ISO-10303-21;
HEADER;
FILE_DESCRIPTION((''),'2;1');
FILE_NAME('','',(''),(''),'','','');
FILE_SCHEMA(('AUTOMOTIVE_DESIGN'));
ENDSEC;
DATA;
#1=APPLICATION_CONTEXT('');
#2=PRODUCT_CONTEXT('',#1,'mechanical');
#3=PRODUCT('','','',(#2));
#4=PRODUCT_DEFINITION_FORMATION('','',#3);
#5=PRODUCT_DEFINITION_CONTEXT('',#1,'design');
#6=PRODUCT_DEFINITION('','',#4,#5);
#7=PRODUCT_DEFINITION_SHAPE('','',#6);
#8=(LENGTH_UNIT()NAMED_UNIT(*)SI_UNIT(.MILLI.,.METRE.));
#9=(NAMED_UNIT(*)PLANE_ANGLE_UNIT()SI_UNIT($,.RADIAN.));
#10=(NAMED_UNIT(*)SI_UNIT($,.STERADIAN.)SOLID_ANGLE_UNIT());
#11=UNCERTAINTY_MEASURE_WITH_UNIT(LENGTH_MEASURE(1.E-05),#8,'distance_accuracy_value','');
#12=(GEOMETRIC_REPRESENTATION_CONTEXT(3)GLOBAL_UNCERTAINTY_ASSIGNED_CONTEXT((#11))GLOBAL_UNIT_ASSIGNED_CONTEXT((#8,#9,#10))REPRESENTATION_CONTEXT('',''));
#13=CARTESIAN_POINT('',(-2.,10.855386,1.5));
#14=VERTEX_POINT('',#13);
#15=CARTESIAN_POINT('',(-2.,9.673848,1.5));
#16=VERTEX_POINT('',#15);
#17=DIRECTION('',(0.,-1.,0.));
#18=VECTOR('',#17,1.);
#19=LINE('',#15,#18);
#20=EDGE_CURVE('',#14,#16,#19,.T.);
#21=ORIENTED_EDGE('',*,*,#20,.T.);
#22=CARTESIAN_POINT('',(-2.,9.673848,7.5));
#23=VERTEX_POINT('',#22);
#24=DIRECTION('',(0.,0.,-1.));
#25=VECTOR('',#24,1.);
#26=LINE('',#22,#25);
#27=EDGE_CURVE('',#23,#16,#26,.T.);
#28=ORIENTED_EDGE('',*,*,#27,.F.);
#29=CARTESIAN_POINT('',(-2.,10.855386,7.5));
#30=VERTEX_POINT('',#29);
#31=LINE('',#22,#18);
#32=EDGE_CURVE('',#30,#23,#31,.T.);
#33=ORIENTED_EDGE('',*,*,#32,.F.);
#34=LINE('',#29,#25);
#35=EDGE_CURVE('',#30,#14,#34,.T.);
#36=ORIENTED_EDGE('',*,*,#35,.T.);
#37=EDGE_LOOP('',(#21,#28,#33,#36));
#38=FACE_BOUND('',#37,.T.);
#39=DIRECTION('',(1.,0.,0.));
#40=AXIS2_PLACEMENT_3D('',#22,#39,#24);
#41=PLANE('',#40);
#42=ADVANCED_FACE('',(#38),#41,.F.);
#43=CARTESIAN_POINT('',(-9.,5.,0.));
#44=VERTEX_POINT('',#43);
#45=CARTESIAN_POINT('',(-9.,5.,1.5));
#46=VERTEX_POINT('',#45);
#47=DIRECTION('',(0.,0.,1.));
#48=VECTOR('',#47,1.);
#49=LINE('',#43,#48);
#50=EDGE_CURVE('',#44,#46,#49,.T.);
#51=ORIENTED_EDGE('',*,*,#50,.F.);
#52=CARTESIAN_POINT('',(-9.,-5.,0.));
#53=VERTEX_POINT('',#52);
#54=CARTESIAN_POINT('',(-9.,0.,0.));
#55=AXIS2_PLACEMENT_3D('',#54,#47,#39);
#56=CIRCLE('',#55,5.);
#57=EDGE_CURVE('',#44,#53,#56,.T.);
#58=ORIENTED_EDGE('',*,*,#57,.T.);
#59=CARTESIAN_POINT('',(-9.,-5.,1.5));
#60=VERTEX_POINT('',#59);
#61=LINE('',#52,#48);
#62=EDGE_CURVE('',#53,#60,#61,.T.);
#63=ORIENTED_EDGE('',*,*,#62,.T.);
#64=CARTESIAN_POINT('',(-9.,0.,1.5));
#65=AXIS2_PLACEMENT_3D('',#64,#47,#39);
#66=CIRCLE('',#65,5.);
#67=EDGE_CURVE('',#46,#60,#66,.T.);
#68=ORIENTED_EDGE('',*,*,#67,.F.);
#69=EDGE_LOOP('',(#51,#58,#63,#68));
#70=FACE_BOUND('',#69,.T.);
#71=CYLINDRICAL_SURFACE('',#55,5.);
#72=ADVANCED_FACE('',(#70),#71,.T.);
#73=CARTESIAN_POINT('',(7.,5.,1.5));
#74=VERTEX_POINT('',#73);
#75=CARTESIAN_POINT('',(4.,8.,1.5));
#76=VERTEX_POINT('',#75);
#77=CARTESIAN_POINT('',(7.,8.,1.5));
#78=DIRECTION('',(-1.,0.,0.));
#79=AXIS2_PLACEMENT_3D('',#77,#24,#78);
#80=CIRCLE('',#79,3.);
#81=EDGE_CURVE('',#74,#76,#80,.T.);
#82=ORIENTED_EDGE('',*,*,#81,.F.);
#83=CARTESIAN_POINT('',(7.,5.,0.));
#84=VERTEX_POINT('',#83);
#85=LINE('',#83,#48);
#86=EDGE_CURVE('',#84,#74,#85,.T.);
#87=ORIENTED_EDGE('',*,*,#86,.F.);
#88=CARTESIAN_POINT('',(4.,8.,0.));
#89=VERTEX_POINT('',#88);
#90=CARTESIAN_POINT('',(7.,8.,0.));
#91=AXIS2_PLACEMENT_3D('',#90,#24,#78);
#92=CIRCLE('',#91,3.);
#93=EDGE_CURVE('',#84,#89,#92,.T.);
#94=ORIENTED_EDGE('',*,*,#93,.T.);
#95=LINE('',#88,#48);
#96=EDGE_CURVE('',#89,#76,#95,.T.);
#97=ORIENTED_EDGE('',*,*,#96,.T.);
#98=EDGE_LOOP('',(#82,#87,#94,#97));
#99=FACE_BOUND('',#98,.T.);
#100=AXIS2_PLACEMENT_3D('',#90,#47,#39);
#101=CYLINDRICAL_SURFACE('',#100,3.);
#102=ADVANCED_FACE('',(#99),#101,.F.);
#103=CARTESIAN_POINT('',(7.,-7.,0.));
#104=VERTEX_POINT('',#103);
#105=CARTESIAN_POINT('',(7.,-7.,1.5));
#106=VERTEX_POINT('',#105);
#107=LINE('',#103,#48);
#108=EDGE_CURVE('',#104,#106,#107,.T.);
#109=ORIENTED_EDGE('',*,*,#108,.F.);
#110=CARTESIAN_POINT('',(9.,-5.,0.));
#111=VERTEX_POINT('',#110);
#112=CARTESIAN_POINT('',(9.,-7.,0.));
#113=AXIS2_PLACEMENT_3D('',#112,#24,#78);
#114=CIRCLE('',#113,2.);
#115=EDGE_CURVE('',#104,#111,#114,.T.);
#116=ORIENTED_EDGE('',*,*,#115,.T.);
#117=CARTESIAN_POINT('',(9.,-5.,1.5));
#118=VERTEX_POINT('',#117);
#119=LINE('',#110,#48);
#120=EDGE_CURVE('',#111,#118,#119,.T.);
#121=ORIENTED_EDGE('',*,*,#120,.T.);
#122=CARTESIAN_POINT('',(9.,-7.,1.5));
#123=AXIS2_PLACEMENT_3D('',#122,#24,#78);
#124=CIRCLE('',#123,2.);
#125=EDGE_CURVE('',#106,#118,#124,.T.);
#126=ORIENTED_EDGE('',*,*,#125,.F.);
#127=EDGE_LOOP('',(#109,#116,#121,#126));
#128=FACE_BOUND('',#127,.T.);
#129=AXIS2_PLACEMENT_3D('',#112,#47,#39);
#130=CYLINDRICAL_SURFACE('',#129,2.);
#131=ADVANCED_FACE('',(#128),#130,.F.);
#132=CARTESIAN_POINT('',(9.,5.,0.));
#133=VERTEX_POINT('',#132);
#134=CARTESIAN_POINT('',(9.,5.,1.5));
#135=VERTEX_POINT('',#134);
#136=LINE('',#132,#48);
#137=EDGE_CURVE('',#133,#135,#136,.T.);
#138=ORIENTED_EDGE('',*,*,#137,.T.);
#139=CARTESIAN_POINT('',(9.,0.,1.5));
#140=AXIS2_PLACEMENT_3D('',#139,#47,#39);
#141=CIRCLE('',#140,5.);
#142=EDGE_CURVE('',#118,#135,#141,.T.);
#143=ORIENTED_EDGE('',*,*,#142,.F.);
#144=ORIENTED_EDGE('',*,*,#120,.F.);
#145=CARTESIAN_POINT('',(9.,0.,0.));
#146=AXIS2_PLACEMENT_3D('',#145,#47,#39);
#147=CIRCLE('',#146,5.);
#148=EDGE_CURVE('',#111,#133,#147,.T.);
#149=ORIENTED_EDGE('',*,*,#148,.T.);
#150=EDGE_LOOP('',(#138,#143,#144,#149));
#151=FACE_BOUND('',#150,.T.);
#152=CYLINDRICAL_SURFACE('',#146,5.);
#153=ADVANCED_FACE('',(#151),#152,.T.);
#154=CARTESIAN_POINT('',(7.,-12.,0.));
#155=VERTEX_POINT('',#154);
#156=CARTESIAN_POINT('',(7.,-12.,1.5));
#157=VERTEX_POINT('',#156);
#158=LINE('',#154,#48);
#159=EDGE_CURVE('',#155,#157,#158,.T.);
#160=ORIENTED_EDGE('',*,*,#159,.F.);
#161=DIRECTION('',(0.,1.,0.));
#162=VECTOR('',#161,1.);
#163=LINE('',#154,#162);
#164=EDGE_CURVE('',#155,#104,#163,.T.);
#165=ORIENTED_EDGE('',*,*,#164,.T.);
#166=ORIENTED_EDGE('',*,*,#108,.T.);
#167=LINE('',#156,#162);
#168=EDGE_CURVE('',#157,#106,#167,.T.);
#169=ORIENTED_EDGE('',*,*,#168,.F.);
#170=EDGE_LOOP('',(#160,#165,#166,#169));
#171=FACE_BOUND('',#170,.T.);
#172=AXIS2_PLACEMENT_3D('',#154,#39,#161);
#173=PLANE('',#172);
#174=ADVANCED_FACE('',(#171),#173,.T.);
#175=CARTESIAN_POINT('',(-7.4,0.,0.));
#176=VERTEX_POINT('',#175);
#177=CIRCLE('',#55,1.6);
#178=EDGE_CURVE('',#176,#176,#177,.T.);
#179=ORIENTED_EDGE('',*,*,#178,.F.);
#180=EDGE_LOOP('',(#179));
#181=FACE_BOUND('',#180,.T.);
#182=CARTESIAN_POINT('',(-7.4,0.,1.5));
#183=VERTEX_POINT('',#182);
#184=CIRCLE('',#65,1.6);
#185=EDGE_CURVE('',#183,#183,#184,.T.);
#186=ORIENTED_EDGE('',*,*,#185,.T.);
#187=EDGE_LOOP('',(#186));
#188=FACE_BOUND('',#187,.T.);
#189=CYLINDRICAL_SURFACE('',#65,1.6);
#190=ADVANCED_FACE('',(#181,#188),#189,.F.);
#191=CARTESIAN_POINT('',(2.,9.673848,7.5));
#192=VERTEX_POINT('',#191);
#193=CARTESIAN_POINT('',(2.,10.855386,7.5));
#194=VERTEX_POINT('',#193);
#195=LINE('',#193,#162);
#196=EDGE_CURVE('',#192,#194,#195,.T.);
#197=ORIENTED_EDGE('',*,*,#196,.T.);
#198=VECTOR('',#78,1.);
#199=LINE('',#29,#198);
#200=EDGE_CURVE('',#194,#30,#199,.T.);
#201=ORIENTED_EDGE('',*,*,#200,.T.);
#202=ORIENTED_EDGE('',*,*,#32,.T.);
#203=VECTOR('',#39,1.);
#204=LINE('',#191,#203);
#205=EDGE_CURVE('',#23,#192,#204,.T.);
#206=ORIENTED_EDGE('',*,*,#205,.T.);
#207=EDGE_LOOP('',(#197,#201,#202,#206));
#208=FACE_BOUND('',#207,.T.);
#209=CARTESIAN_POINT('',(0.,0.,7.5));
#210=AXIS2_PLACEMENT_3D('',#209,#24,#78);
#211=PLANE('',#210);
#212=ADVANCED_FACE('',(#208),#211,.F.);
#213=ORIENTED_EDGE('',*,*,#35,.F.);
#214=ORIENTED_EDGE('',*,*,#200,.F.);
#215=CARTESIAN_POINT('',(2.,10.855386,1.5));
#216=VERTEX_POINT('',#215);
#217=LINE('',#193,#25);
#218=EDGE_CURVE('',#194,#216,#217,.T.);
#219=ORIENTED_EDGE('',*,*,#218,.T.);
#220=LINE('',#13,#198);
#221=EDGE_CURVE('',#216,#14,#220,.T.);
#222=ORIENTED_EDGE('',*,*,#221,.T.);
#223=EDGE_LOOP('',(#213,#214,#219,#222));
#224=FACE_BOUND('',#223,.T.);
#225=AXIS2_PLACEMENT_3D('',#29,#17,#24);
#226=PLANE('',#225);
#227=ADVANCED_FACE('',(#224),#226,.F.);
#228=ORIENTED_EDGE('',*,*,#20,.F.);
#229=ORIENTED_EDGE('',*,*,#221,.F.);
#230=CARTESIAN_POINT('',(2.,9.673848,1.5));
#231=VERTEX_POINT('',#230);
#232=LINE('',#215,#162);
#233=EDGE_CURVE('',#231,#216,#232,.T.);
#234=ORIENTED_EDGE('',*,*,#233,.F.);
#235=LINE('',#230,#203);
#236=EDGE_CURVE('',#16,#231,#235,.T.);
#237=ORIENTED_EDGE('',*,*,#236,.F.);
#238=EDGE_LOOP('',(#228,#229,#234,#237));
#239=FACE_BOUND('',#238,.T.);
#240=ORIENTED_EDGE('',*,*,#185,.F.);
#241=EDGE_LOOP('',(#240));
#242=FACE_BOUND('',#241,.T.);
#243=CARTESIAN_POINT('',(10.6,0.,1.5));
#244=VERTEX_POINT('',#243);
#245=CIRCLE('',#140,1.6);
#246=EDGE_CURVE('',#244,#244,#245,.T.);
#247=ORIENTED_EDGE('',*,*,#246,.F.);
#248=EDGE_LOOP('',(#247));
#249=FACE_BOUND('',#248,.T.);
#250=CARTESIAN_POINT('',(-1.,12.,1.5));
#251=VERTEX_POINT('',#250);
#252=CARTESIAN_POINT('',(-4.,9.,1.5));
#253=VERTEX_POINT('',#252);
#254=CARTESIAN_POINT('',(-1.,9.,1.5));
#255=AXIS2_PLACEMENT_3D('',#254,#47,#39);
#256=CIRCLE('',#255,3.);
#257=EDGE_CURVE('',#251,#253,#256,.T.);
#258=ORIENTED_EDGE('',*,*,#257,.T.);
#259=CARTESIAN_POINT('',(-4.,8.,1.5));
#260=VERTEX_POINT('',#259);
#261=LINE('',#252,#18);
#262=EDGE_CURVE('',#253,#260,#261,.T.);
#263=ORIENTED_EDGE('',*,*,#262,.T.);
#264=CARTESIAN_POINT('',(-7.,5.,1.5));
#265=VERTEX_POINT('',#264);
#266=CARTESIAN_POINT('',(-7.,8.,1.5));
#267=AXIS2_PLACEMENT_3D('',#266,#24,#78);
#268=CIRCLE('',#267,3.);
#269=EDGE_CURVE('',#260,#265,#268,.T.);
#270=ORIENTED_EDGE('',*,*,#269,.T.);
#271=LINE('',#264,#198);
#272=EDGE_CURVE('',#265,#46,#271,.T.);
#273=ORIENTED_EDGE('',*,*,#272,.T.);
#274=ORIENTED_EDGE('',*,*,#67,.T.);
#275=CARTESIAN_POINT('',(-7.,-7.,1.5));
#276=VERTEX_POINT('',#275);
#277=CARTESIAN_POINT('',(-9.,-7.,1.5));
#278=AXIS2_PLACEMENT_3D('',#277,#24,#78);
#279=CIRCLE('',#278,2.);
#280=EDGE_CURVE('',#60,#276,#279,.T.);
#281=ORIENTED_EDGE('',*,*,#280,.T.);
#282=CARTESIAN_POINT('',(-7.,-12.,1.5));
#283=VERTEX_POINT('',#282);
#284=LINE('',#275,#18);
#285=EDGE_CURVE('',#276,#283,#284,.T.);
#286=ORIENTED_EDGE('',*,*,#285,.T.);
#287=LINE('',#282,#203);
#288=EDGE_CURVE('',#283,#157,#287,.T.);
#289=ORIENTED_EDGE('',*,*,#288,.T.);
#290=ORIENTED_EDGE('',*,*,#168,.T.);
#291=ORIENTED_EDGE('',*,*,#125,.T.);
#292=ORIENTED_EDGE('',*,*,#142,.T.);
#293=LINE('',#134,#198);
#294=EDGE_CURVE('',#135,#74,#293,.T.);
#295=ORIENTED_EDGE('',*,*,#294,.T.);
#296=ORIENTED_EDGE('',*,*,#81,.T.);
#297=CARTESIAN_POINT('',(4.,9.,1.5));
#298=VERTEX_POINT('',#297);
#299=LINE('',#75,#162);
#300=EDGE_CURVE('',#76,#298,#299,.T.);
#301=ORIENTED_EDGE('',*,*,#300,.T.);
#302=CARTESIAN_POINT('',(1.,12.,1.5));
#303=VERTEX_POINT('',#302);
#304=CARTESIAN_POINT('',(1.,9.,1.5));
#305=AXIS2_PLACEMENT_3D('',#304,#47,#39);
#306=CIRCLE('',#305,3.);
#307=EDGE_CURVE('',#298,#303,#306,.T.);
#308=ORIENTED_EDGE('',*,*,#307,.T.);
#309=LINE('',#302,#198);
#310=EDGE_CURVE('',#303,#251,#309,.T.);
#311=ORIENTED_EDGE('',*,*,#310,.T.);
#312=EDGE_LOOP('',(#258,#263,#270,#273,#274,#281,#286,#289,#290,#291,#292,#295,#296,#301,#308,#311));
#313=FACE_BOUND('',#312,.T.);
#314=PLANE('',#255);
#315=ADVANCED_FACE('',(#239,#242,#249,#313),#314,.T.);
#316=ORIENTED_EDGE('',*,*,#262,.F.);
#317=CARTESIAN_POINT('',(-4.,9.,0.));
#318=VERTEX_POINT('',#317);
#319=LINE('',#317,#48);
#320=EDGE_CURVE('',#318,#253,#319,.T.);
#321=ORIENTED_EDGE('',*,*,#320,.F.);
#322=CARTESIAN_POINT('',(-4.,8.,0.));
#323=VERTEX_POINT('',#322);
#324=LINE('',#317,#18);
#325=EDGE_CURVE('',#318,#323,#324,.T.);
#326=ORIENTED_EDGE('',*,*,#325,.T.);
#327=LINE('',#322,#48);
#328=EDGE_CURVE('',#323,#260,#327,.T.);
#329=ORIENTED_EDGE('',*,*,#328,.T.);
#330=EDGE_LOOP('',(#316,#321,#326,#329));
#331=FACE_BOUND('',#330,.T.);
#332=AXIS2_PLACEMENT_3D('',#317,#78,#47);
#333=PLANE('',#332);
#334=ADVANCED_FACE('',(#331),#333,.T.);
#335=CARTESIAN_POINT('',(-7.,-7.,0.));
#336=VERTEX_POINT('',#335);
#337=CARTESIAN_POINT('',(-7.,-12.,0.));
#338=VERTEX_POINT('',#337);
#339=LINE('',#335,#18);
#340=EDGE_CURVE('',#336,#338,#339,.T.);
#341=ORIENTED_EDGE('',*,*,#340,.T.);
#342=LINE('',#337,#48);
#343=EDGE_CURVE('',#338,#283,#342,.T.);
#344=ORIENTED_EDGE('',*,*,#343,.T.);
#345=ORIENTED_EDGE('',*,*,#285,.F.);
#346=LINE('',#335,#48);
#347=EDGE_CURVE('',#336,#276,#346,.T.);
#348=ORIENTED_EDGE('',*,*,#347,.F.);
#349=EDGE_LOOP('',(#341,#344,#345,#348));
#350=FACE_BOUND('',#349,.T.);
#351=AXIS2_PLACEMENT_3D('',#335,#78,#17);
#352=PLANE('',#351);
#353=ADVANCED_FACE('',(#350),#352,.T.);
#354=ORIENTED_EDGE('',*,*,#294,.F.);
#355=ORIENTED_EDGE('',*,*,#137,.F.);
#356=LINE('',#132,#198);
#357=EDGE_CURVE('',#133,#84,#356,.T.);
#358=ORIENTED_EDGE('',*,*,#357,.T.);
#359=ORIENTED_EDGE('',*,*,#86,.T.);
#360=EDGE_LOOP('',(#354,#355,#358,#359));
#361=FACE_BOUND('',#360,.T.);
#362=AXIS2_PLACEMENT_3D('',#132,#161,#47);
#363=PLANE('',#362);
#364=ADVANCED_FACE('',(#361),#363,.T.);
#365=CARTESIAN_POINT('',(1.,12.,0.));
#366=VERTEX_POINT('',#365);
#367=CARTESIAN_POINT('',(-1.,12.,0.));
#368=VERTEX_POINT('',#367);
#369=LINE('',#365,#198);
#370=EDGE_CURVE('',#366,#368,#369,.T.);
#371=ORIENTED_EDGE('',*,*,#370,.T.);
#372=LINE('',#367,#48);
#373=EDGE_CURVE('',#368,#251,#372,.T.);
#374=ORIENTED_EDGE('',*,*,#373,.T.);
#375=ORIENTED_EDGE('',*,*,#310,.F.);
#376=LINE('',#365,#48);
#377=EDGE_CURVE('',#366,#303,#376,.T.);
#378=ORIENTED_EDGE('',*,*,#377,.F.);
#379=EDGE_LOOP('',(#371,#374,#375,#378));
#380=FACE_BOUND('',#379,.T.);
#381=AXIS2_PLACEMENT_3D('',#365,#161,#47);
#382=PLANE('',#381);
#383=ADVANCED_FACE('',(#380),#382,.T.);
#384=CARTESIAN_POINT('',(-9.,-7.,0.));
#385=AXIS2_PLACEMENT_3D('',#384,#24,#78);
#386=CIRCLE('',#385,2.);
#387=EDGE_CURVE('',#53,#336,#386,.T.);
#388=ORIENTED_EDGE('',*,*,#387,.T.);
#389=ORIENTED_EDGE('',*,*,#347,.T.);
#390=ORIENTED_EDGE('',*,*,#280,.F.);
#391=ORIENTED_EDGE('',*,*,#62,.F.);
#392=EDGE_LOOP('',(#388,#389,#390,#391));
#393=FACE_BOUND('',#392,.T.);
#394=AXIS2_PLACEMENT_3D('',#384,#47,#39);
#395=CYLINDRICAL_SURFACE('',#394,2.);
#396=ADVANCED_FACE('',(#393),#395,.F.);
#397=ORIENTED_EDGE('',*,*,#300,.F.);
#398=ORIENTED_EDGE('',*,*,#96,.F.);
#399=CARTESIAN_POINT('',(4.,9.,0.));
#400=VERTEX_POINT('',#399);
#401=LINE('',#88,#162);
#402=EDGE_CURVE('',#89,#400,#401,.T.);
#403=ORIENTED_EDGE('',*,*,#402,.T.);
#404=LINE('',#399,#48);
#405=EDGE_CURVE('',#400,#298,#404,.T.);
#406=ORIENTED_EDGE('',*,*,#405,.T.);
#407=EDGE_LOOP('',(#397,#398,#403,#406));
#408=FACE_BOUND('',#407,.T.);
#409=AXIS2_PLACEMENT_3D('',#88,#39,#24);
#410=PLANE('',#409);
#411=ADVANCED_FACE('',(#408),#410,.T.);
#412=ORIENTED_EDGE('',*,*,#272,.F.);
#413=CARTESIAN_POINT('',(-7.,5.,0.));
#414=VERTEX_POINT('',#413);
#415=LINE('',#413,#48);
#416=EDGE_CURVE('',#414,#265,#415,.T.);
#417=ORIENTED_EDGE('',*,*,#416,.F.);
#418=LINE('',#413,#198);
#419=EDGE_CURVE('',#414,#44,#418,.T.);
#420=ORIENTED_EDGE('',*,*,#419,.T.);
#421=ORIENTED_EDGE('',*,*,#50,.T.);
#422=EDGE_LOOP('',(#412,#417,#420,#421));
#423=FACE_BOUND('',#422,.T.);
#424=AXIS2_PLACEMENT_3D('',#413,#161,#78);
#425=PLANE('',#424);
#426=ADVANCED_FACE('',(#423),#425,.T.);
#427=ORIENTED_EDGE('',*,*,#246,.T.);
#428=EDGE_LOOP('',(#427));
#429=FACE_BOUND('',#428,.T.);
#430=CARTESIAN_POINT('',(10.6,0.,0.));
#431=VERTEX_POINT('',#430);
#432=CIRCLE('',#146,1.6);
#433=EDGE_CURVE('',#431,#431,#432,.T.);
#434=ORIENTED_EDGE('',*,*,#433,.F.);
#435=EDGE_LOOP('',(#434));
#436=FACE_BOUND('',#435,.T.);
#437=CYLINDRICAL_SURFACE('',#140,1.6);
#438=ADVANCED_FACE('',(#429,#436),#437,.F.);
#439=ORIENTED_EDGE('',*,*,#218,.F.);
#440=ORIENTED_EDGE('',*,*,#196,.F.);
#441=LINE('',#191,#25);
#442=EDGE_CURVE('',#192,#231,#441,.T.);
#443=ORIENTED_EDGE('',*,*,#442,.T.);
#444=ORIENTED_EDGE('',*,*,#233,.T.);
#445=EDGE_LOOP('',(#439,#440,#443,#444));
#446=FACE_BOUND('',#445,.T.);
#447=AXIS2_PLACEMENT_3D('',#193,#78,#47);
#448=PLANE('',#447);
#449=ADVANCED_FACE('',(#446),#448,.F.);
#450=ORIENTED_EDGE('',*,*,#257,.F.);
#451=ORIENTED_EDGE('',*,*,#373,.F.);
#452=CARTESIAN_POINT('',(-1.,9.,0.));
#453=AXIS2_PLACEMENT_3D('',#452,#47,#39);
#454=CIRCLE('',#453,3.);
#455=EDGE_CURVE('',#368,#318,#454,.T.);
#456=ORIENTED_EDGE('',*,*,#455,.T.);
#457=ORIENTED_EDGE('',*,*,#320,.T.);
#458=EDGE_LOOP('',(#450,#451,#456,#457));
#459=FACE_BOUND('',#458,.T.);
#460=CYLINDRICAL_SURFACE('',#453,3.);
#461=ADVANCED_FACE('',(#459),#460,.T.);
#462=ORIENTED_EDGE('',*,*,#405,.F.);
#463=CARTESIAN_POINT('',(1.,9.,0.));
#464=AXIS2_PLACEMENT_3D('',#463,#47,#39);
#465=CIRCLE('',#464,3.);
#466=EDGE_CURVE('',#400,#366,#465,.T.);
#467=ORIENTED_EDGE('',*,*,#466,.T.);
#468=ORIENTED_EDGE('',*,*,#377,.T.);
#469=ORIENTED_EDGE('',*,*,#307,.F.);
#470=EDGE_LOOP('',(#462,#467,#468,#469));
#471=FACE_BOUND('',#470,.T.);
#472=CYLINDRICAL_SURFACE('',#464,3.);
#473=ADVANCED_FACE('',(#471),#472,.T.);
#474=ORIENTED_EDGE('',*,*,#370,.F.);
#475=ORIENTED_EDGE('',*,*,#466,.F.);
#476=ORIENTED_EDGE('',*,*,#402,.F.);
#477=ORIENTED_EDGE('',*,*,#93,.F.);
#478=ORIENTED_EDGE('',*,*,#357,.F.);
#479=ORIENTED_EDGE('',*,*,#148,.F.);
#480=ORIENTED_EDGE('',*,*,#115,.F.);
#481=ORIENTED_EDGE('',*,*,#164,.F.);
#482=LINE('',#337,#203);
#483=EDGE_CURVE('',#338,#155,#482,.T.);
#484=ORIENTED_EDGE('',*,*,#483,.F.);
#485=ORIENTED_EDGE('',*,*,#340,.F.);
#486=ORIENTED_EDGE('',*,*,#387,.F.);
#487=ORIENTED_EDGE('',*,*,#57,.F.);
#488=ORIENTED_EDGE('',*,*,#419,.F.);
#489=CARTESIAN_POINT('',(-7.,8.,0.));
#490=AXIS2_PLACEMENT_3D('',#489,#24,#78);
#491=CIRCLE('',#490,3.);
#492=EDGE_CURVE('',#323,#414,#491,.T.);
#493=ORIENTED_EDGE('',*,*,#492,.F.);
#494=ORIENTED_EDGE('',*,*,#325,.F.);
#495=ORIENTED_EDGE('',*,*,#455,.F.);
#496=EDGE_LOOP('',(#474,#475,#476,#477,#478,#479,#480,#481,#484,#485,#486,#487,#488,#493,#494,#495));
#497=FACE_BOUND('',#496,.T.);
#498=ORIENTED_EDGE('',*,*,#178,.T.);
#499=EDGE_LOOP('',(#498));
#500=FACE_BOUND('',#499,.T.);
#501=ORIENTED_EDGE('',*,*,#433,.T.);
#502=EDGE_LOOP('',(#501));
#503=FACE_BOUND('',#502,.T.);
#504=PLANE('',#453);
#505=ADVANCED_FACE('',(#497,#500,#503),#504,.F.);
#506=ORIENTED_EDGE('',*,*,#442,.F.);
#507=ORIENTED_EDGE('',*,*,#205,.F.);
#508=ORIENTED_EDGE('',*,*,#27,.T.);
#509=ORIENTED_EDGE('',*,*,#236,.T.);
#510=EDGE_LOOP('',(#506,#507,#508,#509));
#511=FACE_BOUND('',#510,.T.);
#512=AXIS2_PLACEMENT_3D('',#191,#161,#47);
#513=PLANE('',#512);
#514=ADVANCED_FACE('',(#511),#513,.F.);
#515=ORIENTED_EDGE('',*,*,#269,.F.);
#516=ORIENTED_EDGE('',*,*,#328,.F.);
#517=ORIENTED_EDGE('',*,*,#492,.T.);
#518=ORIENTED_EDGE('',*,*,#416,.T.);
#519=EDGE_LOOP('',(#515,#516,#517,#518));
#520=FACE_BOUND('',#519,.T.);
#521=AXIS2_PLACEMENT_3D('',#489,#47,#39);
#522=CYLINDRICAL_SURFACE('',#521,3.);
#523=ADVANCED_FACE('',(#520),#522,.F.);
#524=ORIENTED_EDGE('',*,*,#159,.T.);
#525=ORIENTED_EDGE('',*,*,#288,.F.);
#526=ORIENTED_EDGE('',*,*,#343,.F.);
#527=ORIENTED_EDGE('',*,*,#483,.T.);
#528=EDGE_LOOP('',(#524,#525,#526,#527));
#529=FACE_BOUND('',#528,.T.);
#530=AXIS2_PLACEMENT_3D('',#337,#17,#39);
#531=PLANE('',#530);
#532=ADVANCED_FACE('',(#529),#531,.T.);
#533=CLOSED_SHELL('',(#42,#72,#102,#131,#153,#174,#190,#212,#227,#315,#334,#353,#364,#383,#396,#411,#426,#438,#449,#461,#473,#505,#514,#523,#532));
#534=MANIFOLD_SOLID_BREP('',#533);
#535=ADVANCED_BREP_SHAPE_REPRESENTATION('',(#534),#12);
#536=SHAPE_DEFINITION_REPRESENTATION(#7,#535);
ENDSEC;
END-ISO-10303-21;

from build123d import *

# Parameters (mm, degrees)
BOSS_EXTRUDE1_DEPTH        = 1.5
F_3_2_3_2_DIAMETER_HOLE1_D = 3.2
SKETCH5_W                  = 4
SKETCH5_H                  = 1.181538701
BOSS_EXTRUDE2_DEPTH        = 6


with BuildPart() as part:
    # Sketch1 → Boss-Extrude1 (new body)
    with BuildSketch(Plane.XY.offset(1.5)):
        with BuildLine():
            Line((-4, 9), (-4, 8))
            ThreePointArc((-4, 8), (-4.878679656, 5.878679656), (-7, 5))
            Line((-7, 5), (-9, 5))
            ThreePointArc((-9, 5), (-14, 0), (-9, -5))
            ThreePointArc((-9, -5), (-7.585786438, -5.585786438), (-7, -7))
            Line((-7, -7), (-7, -12))
            Line((-7, -12), (7, -12))
            Line((7, -12), (7, -7))
            ThreePointArc((7, -7), (7.585786438, -5.585786438), (9, -5))
            ThreePointArc((9, -5), (14, 0), (9, 5))
            Line((9, 5), (7, 5))
            ThreePointArc((7, 5), (4.878679656, 5.878679656), (4, 8))
            Line((4, 8), (4, 9))
            ThreePointArc((4, 9), (3.121320344, 11.121320344), (1, 12))
            Line((1, 12), (-1, 12))
            ThreePointArc((-1, 12), (-3.121320344, 11.121320344), (-4, 9))
        make_face()
    extrude(amount=-BOSS_EXTRUDE1_DEPTH)

    # Ø3.2 (3.2) Diameter Hole1 (through all)
    with Locations(Plane.XY.offset(1.5)):
        with Locations((-9, 0)):
            f_3_2_3_2_diameter_hole1 = Hole(F_3_2_3_2_DIAMETER_HOLE1_D / 2)

    # Mirror1: Ø3.2 (3.2) Diameter Hole1 across plane
    add(f_3_2_3_2_diameter_hole1.mirror(Plane(origin=(0, 0, 0), x_dir=(0, 0, 1), z_dir=(1, 0, 0))), mode=Mode.SUBTRACT)

    # Sketch5 → Boss-Extrude2 (add)
    with BuildSketch(Plane.XY.offset(1.5)):
        with Locations((0, 10.264616907)):
            Rectangle(SKETCH5_W, SKETCH5_H)
    extrude(amount=BOSS_EXTRUDE2_DEPTH)


solid = part.part
